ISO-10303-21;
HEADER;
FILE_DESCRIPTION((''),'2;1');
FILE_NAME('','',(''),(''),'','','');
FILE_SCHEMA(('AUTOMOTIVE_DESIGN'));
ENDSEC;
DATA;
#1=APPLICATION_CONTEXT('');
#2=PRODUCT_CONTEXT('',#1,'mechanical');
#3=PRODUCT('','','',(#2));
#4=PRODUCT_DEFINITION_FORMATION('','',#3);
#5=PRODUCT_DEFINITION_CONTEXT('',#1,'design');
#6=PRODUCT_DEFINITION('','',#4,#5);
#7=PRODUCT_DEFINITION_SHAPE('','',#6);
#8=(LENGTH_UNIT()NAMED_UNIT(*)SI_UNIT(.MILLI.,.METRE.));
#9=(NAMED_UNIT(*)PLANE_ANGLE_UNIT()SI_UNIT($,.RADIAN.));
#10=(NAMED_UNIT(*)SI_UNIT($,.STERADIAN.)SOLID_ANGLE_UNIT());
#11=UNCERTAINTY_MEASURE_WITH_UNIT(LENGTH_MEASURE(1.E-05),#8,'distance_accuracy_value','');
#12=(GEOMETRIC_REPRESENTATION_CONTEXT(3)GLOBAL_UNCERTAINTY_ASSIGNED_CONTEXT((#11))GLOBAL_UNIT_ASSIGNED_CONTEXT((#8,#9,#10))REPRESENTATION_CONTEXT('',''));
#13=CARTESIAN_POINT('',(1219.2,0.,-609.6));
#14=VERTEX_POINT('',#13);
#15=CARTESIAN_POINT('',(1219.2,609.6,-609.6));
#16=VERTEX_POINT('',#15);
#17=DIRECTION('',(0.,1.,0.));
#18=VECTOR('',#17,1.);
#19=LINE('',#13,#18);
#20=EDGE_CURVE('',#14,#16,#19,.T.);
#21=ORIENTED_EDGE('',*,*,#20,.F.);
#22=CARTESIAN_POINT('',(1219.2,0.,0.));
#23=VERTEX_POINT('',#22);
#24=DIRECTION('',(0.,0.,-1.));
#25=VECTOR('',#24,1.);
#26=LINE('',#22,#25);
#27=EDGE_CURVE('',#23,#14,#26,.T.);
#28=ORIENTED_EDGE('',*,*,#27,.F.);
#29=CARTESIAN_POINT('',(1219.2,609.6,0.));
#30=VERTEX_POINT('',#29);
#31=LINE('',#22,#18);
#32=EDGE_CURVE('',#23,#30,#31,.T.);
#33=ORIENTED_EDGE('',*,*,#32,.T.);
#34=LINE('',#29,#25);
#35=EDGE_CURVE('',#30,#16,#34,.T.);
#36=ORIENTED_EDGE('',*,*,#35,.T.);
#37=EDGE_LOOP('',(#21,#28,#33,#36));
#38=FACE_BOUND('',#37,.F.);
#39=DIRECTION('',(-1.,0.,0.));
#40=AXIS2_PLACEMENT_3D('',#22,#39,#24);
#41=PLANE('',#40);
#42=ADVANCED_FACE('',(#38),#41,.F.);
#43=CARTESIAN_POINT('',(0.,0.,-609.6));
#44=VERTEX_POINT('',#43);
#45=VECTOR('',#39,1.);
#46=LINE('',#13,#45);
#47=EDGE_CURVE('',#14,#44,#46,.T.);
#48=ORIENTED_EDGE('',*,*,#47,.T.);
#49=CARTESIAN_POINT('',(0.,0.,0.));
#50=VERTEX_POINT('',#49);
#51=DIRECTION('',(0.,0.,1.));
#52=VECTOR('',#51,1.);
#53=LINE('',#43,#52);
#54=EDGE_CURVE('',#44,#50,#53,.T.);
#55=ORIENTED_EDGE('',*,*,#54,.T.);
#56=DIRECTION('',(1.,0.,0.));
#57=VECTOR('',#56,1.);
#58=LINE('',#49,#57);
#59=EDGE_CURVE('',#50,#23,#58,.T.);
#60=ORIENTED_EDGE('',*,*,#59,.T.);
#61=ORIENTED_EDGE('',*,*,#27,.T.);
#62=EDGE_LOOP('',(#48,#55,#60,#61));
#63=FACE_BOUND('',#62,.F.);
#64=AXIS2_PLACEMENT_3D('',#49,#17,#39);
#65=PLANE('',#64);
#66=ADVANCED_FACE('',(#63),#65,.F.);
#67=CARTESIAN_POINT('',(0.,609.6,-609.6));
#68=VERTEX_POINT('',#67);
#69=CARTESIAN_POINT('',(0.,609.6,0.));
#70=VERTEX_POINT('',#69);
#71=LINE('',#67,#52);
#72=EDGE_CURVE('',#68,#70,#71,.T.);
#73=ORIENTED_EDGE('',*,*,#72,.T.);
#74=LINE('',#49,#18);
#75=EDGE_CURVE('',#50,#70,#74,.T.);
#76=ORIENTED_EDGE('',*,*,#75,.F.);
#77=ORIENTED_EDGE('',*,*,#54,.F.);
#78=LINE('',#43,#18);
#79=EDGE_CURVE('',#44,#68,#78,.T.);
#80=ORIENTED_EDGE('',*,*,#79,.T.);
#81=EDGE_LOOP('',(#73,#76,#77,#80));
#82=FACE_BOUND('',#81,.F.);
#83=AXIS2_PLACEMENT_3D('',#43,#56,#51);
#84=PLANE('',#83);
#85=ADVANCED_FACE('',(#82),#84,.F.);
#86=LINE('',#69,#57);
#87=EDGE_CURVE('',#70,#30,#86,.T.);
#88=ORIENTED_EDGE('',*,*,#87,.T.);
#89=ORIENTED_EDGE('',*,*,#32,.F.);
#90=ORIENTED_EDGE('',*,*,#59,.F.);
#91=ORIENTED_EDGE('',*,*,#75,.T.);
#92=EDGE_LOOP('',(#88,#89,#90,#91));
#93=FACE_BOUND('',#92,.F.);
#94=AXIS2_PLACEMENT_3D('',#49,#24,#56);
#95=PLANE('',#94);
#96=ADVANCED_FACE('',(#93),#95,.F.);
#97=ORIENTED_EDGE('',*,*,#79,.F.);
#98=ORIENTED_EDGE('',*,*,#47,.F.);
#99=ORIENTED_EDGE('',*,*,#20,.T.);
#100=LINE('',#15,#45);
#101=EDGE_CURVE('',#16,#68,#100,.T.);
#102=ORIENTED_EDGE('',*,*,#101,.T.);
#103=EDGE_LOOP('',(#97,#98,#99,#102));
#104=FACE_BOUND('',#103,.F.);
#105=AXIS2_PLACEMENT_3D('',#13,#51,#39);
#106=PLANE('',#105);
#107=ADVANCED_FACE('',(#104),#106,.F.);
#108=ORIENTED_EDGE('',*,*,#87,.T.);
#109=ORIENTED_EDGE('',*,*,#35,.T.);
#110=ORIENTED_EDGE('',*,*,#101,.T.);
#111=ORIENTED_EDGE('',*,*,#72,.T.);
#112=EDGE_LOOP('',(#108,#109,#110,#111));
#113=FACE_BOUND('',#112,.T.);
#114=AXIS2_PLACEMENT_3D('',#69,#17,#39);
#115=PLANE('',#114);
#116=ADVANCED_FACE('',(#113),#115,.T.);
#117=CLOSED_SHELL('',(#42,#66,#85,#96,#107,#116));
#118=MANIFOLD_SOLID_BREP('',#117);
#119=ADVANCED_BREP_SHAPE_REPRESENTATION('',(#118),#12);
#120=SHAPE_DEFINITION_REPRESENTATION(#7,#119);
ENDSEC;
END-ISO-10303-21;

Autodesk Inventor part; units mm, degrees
ref_plane "YZ Plane" through (0, 0, 0) normal (1, 0, 0) x (0, 1, 0)
ref_plane "XZ Plane" through (0, 0, 0) normal (0, 1, 0) x (-1, 0, 0)
ref_plane "XY Plane" through (0, 0, 0) normal (0, 0, 1) x (1, 0, 0)
sketch "Sketch1" plane through (0, 0, 0) normal (0, 1, 0) x (-1, 0, 0)
  line L0 (0, 0) -> (-1219.2, 0)
  line L1 (-1219.2, 0) -> (-1219.2, -609.6)
  line L2 (-1219.2, -609.6) -> (0, -609.6)
  line L3 (0, -609.6) -> (0, 0)
  dimension "d0" = 1219.2
  dimension "d1" = 609.6
extrude "Extrusion1" add sketch "Sketch1" along normal blind 609.6
properties part number "D - 2" material "Granite, Cut, Polished"
